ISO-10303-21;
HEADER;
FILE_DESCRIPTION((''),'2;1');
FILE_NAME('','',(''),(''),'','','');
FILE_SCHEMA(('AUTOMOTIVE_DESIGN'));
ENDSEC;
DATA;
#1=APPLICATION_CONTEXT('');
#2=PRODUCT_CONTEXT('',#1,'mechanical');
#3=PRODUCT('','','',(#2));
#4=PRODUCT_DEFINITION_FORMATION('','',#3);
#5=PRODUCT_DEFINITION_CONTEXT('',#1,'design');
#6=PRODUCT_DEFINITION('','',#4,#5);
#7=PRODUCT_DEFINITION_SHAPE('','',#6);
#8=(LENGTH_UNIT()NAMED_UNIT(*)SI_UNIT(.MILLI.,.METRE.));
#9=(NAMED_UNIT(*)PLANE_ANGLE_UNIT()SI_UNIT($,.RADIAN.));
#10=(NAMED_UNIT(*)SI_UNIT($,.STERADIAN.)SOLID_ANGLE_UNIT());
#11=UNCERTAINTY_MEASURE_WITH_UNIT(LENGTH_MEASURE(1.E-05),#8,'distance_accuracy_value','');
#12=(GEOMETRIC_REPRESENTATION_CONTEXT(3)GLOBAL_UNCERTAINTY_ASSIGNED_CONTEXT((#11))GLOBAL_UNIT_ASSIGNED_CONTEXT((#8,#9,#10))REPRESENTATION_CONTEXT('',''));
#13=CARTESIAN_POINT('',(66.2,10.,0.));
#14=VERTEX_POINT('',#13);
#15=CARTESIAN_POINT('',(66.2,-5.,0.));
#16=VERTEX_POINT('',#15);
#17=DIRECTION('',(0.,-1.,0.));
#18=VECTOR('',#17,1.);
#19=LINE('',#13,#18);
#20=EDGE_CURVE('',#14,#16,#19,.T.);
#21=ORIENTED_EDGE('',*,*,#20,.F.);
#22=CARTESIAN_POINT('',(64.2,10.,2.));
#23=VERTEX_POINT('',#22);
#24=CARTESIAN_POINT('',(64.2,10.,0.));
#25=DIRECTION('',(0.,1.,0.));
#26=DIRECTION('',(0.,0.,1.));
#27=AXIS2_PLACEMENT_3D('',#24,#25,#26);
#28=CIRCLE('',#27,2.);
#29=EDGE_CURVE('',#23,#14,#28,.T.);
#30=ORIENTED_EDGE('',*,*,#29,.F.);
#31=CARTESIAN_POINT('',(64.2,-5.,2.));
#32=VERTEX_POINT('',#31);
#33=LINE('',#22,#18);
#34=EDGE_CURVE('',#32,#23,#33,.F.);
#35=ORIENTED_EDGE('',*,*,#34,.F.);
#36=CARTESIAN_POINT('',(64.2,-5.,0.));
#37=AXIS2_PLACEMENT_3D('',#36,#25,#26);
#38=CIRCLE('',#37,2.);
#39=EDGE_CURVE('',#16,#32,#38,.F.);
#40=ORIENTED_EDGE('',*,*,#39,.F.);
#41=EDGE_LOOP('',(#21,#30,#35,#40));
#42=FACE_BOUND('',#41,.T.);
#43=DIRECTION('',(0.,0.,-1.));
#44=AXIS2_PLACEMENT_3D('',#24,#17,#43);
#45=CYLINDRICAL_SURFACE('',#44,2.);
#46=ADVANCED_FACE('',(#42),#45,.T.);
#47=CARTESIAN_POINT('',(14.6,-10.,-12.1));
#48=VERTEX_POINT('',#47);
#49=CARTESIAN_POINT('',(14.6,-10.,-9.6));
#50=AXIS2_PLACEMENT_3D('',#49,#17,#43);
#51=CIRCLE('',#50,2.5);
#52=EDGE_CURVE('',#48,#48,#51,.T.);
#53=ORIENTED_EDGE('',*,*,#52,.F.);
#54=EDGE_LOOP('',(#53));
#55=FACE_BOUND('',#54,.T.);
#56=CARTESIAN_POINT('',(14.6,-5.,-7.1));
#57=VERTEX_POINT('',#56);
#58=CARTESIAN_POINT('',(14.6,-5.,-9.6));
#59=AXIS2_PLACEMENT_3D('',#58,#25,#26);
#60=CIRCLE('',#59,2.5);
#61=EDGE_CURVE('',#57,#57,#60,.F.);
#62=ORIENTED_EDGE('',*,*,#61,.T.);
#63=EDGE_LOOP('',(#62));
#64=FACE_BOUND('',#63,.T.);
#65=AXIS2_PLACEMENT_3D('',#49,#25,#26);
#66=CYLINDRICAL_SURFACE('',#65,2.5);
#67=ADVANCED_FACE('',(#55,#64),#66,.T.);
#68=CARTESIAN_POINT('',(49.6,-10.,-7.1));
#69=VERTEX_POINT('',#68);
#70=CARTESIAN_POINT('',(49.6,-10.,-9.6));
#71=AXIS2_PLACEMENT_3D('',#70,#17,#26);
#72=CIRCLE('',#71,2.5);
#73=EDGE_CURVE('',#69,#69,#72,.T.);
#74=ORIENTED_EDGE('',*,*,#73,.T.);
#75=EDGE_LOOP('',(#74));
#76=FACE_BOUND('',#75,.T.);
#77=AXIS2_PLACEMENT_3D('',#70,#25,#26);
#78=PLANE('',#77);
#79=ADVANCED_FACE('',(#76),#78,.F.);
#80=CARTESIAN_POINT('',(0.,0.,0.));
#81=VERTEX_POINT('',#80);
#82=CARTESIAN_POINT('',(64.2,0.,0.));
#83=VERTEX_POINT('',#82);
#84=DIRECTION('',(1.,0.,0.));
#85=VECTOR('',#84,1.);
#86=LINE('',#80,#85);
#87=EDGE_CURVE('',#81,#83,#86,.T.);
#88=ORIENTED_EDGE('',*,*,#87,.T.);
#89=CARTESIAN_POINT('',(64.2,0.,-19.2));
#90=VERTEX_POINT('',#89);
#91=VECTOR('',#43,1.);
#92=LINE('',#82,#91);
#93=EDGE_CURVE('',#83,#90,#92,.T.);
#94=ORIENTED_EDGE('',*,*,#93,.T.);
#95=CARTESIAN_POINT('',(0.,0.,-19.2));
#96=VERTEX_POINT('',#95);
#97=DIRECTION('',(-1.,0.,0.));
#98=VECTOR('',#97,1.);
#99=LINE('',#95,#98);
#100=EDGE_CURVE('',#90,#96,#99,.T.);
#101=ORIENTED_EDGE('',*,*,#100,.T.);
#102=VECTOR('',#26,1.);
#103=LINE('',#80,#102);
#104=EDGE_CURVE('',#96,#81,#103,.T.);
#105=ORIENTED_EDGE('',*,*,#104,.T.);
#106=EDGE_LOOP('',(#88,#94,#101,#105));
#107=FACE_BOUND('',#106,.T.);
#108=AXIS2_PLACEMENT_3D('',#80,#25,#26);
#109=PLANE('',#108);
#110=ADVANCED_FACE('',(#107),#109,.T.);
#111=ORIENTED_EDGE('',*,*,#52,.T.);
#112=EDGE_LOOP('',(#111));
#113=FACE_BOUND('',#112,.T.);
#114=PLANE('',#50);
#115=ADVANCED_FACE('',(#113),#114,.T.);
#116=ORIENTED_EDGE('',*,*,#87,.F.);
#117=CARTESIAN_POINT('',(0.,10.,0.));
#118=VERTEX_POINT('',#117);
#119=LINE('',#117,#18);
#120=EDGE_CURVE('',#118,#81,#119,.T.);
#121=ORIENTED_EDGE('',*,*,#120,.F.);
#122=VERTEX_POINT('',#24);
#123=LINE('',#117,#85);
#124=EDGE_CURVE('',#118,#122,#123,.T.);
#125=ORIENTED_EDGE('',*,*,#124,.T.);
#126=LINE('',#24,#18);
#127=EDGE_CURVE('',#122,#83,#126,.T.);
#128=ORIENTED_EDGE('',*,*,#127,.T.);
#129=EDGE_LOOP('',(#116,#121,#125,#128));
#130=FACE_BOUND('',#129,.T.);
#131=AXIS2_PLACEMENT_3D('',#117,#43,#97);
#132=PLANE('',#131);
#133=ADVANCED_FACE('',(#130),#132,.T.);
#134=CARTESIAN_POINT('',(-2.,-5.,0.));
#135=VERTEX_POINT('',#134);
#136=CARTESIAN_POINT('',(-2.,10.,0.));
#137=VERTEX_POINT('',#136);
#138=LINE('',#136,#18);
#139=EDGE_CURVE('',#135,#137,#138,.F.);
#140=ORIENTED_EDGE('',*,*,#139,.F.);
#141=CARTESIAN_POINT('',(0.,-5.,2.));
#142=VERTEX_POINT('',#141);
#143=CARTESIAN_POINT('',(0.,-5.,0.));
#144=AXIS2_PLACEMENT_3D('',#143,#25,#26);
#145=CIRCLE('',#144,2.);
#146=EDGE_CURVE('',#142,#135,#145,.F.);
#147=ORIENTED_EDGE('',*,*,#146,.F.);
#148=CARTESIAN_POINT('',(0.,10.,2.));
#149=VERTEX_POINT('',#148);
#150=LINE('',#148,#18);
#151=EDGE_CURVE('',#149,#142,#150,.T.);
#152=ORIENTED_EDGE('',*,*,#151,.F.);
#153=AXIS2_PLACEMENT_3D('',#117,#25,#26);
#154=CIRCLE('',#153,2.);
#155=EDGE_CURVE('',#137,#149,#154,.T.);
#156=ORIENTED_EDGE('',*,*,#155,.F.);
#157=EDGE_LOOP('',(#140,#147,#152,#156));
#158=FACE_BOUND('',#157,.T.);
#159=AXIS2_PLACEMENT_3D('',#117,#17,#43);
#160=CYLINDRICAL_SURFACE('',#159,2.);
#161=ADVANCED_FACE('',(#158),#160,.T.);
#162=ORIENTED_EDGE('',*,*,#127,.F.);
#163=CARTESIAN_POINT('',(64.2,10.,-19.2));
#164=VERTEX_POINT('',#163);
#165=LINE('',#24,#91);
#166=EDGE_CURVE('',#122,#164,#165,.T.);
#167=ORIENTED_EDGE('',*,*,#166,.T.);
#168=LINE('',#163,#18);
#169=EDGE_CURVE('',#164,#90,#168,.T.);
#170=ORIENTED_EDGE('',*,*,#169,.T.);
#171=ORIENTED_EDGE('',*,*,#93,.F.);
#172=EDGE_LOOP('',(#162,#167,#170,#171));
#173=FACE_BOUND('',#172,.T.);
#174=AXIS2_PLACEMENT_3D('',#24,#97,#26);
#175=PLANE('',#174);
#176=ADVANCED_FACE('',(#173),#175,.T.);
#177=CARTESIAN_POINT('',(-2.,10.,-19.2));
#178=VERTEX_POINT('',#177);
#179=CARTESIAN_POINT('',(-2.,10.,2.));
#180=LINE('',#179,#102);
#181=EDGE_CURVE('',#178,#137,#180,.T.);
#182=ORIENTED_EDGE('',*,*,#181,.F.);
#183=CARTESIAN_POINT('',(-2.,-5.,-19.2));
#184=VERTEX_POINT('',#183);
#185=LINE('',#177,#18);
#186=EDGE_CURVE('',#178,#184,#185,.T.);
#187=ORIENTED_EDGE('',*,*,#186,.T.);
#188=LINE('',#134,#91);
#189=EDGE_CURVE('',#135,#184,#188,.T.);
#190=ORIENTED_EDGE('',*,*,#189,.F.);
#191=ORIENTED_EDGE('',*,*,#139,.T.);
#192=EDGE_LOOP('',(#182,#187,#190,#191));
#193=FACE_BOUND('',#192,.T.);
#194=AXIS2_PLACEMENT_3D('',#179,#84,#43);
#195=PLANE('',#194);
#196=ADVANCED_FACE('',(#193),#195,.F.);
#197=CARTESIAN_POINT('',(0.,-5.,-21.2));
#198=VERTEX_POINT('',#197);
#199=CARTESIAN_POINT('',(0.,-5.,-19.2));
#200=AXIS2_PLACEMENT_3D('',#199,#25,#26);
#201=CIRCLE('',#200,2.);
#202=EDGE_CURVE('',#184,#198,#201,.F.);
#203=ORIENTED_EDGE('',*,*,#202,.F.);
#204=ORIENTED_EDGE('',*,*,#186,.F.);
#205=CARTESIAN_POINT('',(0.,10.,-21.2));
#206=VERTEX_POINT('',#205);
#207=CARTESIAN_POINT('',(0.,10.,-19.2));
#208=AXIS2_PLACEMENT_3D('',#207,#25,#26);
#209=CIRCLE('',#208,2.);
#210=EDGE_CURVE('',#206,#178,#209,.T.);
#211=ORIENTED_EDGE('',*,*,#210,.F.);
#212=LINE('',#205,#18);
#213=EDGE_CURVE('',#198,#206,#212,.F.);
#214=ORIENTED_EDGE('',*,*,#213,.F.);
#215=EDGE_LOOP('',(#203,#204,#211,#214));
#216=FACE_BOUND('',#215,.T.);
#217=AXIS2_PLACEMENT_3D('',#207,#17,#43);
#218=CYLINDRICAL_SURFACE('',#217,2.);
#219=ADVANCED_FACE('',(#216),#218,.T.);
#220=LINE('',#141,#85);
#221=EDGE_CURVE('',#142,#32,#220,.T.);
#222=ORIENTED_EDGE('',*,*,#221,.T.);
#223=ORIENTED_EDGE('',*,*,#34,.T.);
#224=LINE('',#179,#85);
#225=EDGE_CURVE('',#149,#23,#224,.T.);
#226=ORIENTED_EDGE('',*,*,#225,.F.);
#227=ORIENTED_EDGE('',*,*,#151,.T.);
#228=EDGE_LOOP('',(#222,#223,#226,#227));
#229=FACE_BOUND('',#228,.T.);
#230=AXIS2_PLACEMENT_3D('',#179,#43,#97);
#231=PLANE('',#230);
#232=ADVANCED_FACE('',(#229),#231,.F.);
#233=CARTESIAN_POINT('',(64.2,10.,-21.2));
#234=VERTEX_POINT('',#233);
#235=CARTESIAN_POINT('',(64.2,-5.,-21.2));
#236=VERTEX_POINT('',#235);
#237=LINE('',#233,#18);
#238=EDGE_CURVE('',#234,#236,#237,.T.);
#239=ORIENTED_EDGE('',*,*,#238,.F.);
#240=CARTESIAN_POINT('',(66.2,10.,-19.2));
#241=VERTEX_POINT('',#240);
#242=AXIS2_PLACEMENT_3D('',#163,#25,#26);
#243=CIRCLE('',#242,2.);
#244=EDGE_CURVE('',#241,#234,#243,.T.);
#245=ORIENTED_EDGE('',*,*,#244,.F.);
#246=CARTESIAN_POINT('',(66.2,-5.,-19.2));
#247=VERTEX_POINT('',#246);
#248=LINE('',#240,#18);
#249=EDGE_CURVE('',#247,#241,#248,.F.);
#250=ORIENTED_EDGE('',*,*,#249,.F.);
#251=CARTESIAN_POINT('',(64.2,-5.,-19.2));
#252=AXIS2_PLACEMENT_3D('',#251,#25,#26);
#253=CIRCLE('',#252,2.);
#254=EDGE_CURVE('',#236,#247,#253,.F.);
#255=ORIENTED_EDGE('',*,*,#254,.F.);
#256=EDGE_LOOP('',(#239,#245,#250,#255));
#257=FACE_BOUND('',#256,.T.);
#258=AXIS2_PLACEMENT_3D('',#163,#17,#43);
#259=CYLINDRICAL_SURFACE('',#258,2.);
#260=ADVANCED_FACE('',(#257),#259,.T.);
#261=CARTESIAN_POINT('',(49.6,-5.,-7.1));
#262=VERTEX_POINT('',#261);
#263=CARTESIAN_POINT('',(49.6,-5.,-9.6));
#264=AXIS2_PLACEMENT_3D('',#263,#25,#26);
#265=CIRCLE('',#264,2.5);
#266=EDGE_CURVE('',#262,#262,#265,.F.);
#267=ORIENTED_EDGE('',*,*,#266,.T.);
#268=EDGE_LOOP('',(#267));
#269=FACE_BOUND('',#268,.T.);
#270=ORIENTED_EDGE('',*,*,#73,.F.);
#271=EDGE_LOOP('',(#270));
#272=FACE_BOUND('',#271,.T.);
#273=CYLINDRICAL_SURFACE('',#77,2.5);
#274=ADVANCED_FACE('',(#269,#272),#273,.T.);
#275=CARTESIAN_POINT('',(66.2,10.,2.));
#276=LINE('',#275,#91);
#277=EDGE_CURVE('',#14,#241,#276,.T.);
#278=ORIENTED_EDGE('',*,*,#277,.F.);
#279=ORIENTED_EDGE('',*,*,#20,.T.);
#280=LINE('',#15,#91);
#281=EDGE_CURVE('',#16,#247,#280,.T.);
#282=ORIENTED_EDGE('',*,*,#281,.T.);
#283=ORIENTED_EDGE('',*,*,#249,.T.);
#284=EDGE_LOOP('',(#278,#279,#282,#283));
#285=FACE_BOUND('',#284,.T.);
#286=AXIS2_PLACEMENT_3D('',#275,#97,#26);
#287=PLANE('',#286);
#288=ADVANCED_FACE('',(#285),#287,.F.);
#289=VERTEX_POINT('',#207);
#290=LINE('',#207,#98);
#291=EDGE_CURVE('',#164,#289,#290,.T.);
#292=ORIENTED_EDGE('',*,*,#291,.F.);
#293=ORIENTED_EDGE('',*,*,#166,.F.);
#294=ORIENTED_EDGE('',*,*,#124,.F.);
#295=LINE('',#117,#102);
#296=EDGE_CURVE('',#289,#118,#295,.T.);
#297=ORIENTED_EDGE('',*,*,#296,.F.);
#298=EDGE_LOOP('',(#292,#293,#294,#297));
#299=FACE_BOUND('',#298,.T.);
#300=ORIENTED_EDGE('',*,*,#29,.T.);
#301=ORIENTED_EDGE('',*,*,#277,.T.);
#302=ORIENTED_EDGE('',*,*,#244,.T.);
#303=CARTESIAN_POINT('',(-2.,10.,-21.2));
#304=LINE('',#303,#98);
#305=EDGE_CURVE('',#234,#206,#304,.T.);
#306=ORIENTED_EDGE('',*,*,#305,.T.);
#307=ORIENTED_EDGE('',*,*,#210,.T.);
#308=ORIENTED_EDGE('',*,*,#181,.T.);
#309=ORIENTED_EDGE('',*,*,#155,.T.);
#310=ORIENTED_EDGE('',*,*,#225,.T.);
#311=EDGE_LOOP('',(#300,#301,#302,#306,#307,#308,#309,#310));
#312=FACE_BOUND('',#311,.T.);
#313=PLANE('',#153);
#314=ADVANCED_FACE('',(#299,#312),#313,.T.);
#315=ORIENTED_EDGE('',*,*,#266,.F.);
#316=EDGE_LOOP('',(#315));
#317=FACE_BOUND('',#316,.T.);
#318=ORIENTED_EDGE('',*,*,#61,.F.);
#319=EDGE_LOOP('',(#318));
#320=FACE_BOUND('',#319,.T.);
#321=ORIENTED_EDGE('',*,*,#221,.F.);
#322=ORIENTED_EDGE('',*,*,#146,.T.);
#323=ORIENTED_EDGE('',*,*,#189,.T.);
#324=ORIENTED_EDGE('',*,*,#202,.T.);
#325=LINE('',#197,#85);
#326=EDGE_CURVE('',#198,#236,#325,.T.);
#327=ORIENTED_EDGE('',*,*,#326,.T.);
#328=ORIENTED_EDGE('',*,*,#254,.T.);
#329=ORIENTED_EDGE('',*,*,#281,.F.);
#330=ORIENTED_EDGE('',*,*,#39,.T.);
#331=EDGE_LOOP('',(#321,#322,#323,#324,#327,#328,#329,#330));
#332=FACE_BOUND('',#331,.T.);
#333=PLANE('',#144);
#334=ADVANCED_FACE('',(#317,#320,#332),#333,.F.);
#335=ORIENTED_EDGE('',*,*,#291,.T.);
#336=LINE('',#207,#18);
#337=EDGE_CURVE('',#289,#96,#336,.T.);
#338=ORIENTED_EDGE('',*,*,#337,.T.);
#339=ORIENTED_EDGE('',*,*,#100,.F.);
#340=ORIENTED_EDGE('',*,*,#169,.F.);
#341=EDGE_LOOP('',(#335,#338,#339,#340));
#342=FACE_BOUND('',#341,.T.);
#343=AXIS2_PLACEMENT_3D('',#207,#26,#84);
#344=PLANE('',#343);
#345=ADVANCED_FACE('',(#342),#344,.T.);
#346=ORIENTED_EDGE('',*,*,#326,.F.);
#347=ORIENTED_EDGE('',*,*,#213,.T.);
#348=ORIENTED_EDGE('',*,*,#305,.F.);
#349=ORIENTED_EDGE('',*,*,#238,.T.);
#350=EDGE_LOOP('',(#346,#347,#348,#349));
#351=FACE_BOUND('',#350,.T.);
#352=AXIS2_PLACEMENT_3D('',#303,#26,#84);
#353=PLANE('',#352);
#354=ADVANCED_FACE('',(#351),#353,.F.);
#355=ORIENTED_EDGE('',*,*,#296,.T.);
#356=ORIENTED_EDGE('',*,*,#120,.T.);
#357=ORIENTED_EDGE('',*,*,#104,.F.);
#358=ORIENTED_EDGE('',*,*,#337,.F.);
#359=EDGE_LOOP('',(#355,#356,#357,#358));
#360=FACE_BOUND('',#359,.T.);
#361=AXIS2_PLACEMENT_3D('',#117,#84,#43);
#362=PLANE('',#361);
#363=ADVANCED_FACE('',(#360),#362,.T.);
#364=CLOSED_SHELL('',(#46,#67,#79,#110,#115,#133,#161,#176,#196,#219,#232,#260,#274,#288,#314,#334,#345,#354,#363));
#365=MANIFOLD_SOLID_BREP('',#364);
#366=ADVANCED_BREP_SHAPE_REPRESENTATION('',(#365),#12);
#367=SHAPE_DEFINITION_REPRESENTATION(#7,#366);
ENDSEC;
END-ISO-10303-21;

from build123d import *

# Parameters (mm, degrees)
SKETCH1_W           = 68.2
SKETCH1_H           = 23.2
SKETCH1_W_2         = 64.2
SKETCH1_H_2         = 19.2
BOSS_EXTRUDE1_DEPTH = 10
SKETCH1_2_W         = 68.2
SKETCH1_2_H         = 23.2
BOSS_EXTRUDE2_DEPTH = 5
SKETCH2_R           = 2.5
BOSS_EXTRUDE3_DEPTH = 5
FILLET1_R           = 2


with BuildPart() as part:
    # Sketch1 → Boss-Extrude1 (new body)
    with BuildSketch(Plane(origin=(0, 0, 0), x_dir=(1, 0, 0), z_dir=(0, 1, 0))):
        with Locations((32.1, 9.6)):
            Rectangle(SKETCH1_W, SKETCH1_H)
        with Locations((32.1, 9.6)):
            Rectangle(SKETCH1_W_2, SKETCH1_H_2, mode=Mode.SUBTRACT)
    extrude(amount=BOSS_EXTRUDE1_DEPTH)

    # Sketch1<2> → Boss-Extrude2 (add)
    with BuildSketch(Plane(origin=(0, 0, 0), x_dir=(1, 0, 0), z_dir=(0, 1, 0))):
        with Locations((32.1, 9.6)):
            Rectangle(SKETCH1_2_W, SKETCH1_2_H)
    extrude(amount=-BOSS_EXTRUDE2_DEPTH)

    # Sketch2 → Boss-Extrude3 (add)
    with BuildSketch(Plane.XZ.offset(5)):
        with Locations((14.6, -9.6)):
            Circle(SKETCH2_R)
        with Locations((49.6, -9.6)):
            Circle(SKETCH2_R)
    extrude(amount=BOSS_EXTRUDE3_DEPTH)

    # Fillet1
    fillet1_edges = [part.edges().sort_by_distance(p)[0] for p in [
        (-2, 2.5, -21.2),
        (-2, 2.5, 2),
        (66.2, 2.5, -21.2),
        (66.2, 2.5, 2),
    ]]
    fillet(fillet1_edges, radius=FILLET1_R)


solid = part.part
